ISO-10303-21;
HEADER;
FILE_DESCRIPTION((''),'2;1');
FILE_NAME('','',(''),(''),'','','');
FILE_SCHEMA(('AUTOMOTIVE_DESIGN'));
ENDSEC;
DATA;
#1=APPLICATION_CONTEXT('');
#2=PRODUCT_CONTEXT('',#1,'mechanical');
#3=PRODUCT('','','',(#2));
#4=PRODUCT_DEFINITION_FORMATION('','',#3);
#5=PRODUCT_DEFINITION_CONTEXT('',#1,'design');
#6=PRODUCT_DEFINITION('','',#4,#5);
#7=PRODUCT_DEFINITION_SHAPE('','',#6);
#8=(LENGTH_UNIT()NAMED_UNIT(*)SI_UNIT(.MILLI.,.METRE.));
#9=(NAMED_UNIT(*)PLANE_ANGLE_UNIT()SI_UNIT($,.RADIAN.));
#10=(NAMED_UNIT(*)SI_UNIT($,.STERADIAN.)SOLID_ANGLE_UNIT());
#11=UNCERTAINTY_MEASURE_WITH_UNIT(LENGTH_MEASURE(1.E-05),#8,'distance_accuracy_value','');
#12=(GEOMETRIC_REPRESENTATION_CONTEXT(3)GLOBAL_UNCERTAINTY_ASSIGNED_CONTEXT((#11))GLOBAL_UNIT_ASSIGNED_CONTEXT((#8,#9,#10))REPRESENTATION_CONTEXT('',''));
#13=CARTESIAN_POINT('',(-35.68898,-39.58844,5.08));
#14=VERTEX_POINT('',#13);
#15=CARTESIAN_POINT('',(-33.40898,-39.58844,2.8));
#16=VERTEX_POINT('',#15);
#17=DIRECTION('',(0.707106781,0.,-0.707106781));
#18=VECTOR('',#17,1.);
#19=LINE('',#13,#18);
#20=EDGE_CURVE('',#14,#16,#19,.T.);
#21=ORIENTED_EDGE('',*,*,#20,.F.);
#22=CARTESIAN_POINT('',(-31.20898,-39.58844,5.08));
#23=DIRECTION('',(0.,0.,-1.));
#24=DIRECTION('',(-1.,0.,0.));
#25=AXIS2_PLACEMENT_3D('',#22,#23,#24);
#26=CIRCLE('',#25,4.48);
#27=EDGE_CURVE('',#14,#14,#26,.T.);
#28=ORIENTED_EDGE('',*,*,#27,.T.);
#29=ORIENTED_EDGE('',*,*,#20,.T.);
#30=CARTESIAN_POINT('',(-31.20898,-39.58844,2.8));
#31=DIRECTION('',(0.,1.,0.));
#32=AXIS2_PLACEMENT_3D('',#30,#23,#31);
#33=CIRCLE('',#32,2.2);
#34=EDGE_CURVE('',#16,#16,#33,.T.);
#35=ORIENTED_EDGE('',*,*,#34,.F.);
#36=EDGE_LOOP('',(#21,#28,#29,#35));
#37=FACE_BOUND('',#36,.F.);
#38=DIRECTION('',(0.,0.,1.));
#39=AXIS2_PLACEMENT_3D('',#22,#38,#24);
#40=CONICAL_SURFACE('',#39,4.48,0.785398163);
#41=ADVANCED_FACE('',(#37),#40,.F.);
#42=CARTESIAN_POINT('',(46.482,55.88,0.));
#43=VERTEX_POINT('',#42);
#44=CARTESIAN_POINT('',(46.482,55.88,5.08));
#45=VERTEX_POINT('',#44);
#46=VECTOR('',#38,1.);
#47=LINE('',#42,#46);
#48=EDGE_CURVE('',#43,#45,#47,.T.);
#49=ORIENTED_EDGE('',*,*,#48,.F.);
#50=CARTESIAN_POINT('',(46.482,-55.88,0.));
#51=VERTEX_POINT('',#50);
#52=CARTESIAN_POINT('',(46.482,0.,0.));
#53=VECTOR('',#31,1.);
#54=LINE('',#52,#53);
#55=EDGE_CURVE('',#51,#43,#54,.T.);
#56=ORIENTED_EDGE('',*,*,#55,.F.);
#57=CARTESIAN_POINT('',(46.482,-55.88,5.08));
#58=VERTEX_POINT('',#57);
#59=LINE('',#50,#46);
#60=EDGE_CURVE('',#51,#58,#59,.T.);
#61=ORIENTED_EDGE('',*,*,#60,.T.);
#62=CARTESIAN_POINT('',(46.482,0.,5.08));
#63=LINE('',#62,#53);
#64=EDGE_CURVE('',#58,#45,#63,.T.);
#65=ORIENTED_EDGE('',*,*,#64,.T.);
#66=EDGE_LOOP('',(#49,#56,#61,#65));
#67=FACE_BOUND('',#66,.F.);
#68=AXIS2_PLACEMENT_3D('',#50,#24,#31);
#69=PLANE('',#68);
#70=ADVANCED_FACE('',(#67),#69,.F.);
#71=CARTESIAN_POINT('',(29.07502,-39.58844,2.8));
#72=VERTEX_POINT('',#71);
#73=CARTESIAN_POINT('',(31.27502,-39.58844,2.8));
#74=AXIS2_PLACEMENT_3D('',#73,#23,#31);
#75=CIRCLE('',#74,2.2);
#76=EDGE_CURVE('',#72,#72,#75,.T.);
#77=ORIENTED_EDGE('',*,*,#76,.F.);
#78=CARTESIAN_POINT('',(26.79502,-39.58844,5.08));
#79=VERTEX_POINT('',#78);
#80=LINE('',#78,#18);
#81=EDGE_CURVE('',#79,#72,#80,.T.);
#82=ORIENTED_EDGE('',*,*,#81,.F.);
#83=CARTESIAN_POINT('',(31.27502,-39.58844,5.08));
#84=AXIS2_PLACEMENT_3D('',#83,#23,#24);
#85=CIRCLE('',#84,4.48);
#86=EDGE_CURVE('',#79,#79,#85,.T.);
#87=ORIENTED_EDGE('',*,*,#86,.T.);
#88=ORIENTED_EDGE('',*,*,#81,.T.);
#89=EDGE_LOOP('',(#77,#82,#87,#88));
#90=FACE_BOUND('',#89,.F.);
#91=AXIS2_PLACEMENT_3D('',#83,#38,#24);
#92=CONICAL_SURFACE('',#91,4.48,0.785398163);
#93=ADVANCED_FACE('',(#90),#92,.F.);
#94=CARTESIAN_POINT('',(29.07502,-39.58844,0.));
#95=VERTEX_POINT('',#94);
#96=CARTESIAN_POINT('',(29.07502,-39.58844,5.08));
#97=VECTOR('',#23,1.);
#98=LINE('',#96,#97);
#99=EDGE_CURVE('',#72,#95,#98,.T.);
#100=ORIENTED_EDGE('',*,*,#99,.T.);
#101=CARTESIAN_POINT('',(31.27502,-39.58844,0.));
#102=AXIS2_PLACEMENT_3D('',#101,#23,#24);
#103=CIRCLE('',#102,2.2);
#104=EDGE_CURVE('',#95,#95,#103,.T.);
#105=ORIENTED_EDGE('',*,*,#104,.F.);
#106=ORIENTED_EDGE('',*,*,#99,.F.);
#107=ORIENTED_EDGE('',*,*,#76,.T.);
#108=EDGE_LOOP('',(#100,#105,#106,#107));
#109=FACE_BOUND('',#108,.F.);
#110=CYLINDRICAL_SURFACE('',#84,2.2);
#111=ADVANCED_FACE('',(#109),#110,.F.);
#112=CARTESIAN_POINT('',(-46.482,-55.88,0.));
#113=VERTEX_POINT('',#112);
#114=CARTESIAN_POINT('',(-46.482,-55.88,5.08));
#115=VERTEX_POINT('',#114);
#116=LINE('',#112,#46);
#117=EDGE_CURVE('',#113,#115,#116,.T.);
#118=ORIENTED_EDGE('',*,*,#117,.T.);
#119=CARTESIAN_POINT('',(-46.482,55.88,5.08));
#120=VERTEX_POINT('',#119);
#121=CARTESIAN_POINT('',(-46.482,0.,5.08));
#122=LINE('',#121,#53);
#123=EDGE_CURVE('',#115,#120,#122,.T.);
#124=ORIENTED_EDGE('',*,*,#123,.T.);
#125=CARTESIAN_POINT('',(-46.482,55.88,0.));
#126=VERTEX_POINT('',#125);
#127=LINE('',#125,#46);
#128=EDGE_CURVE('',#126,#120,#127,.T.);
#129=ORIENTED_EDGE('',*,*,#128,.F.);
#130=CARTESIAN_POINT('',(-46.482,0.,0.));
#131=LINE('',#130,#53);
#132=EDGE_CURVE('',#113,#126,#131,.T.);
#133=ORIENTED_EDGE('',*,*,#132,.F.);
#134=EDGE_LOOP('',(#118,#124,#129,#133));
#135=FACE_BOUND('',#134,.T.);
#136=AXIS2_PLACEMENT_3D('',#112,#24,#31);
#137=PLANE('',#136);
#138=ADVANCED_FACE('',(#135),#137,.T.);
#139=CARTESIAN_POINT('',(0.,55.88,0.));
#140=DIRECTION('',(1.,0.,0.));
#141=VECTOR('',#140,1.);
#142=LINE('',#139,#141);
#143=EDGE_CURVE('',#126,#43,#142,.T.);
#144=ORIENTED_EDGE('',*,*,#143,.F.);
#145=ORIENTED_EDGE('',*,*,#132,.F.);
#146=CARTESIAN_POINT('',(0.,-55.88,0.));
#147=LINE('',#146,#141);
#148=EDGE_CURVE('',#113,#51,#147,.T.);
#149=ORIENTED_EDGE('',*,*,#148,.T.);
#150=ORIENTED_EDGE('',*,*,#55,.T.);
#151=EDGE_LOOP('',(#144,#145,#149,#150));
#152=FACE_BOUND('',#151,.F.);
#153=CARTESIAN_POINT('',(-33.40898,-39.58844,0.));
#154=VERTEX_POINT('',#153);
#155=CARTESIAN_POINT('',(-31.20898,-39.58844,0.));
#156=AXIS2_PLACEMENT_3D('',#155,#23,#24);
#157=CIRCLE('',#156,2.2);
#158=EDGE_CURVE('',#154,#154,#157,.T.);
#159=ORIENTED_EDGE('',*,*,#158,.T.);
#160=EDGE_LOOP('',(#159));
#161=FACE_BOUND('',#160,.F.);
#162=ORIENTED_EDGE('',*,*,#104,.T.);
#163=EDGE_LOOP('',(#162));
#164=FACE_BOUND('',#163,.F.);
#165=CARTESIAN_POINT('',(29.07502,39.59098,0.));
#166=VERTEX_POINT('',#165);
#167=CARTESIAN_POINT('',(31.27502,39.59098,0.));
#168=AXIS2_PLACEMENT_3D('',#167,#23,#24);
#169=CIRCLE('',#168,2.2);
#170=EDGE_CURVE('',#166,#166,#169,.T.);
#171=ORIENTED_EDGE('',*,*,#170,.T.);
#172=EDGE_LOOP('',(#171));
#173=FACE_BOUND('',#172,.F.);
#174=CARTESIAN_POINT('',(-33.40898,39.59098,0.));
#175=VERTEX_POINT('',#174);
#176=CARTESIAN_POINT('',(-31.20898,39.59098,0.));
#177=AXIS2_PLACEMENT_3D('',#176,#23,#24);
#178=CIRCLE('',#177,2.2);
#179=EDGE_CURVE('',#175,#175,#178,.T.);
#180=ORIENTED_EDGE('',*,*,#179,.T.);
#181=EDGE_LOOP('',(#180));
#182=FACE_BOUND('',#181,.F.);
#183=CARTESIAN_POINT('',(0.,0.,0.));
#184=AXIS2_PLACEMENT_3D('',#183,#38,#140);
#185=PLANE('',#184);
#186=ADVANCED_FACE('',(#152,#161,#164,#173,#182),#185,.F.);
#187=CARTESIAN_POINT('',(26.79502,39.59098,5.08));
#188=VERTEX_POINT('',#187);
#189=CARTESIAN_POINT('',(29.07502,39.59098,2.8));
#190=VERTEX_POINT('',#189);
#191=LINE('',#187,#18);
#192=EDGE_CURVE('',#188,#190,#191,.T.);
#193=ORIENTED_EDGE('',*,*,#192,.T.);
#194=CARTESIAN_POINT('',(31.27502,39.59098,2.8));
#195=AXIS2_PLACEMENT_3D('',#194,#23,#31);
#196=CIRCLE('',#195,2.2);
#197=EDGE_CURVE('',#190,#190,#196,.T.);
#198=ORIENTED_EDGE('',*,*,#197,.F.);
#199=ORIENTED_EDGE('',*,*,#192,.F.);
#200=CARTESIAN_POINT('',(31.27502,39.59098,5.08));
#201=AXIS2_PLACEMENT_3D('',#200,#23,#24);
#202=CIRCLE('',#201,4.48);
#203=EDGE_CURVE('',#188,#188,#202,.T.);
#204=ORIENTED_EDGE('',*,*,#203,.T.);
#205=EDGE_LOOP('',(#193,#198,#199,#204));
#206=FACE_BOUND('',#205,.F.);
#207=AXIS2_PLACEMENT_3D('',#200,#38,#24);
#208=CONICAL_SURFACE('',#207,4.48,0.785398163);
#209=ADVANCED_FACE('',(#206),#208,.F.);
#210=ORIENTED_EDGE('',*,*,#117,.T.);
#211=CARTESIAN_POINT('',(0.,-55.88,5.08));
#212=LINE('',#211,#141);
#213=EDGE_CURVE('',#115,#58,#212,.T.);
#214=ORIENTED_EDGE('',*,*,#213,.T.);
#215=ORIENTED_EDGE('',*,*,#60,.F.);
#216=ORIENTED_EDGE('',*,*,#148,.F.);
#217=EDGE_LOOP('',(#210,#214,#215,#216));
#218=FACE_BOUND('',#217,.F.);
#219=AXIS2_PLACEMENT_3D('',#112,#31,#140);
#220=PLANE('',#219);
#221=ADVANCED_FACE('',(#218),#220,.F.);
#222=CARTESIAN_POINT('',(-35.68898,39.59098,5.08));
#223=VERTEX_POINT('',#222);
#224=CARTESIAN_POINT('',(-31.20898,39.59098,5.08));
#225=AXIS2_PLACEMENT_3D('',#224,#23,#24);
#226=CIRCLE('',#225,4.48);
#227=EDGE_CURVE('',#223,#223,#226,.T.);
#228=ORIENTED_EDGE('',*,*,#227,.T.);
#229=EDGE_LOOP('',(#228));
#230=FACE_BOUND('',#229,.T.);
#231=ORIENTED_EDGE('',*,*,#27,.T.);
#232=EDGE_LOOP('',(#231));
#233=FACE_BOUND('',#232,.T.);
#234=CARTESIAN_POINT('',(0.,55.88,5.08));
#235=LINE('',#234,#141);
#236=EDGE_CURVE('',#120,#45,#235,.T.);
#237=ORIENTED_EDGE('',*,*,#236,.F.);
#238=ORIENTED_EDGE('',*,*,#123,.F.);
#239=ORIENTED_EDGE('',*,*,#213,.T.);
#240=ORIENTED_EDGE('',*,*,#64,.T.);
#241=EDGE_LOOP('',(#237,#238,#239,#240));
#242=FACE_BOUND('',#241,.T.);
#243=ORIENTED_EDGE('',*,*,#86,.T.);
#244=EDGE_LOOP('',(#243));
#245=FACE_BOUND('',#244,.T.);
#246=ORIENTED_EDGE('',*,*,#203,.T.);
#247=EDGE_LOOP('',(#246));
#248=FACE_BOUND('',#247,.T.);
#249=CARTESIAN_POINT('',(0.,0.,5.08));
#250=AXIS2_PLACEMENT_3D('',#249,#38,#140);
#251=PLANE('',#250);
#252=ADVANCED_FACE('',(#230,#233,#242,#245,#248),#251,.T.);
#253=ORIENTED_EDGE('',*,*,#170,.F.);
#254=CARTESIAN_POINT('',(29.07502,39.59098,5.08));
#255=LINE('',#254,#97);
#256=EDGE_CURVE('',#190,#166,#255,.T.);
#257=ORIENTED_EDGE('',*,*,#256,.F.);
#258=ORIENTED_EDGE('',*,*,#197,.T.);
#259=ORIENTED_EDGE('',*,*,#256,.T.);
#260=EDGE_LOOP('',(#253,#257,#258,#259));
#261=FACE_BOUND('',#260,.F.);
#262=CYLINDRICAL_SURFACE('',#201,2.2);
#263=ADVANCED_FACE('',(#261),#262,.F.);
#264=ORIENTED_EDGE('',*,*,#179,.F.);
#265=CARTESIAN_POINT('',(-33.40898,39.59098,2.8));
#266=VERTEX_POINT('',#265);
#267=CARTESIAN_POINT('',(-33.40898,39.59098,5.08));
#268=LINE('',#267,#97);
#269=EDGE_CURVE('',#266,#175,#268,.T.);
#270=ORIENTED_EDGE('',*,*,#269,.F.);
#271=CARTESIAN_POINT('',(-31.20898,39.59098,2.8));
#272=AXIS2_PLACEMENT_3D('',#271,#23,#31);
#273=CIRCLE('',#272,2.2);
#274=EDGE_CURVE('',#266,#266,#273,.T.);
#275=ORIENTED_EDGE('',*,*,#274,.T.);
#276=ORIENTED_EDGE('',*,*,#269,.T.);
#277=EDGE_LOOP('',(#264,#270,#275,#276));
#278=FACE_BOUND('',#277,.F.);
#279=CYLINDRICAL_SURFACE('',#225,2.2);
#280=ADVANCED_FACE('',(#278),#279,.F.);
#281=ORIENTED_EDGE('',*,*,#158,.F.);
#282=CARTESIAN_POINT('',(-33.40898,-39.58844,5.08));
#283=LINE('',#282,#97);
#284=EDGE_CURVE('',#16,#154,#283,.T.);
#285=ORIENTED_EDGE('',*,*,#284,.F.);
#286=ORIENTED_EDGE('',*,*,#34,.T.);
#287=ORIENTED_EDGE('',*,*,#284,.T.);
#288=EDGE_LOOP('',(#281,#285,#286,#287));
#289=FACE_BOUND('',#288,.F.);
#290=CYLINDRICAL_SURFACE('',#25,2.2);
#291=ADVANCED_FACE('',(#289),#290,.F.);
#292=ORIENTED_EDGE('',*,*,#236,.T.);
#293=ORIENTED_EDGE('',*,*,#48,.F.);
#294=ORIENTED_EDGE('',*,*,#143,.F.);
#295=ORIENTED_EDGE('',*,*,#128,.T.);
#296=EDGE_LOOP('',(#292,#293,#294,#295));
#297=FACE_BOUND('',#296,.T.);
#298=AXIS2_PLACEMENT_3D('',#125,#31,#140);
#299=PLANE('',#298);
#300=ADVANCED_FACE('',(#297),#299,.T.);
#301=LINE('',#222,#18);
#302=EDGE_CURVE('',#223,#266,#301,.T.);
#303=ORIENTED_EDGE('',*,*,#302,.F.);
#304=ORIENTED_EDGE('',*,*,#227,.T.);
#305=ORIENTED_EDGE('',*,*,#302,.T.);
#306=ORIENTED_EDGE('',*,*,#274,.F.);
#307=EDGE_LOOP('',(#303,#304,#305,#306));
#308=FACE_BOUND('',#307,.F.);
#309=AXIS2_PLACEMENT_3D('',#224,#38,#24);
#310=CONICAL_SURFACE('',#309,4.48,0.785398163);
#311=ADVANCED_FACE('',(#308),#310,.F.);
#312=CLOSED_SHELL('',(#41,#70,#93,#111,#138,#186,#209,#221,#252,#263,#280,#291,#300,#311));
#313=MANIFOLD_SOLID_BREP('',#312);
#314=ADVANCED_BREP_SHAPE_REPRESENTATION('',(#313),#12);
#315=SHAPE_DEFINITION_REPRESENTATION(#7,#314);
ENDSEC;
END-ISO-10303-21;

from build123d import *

# Parameters (mm, degrees)
F0_W           = 92.964
F0_H           = 111.76
F1_DEPTH       = 5.08
F3_D           = 4.4
F3_DEPTH       = 37.1856
F3_CSINK_D     = 8.96
F3_CSINK_ANGLE = 90
F3_TIP         = 1.3218933619


with BuildPart() as f1:
    # F0 (on Top) → F1 (new body)
    with BuildSketch(Plane.XY):
        Rectangle(F0_W, F0_H)
    extrude(amount=F1_DEPTH)

    # F3
    with Locations(Plane.XY.offset(5.08)):
        with Locations((-31.20898, 39.59098), (-31.20898, -39.58844), (31.27502, -39.58844), (31.27502, 39.59098)):
            CounterSinkHole(F3_D / 2, F3_CSINK_D / 2, depth=F3_DEPTH, counter_sink_angle=F3_CSINK_ANGLE)
            with Locations((0, 0, -(F3_DEPTH + F3_TIP / 2))):  # 118° drill point
                Cone(0, F3_D / 2, F3_TIP, mode=Mode.SUBTRACT)


solid = f1.part
